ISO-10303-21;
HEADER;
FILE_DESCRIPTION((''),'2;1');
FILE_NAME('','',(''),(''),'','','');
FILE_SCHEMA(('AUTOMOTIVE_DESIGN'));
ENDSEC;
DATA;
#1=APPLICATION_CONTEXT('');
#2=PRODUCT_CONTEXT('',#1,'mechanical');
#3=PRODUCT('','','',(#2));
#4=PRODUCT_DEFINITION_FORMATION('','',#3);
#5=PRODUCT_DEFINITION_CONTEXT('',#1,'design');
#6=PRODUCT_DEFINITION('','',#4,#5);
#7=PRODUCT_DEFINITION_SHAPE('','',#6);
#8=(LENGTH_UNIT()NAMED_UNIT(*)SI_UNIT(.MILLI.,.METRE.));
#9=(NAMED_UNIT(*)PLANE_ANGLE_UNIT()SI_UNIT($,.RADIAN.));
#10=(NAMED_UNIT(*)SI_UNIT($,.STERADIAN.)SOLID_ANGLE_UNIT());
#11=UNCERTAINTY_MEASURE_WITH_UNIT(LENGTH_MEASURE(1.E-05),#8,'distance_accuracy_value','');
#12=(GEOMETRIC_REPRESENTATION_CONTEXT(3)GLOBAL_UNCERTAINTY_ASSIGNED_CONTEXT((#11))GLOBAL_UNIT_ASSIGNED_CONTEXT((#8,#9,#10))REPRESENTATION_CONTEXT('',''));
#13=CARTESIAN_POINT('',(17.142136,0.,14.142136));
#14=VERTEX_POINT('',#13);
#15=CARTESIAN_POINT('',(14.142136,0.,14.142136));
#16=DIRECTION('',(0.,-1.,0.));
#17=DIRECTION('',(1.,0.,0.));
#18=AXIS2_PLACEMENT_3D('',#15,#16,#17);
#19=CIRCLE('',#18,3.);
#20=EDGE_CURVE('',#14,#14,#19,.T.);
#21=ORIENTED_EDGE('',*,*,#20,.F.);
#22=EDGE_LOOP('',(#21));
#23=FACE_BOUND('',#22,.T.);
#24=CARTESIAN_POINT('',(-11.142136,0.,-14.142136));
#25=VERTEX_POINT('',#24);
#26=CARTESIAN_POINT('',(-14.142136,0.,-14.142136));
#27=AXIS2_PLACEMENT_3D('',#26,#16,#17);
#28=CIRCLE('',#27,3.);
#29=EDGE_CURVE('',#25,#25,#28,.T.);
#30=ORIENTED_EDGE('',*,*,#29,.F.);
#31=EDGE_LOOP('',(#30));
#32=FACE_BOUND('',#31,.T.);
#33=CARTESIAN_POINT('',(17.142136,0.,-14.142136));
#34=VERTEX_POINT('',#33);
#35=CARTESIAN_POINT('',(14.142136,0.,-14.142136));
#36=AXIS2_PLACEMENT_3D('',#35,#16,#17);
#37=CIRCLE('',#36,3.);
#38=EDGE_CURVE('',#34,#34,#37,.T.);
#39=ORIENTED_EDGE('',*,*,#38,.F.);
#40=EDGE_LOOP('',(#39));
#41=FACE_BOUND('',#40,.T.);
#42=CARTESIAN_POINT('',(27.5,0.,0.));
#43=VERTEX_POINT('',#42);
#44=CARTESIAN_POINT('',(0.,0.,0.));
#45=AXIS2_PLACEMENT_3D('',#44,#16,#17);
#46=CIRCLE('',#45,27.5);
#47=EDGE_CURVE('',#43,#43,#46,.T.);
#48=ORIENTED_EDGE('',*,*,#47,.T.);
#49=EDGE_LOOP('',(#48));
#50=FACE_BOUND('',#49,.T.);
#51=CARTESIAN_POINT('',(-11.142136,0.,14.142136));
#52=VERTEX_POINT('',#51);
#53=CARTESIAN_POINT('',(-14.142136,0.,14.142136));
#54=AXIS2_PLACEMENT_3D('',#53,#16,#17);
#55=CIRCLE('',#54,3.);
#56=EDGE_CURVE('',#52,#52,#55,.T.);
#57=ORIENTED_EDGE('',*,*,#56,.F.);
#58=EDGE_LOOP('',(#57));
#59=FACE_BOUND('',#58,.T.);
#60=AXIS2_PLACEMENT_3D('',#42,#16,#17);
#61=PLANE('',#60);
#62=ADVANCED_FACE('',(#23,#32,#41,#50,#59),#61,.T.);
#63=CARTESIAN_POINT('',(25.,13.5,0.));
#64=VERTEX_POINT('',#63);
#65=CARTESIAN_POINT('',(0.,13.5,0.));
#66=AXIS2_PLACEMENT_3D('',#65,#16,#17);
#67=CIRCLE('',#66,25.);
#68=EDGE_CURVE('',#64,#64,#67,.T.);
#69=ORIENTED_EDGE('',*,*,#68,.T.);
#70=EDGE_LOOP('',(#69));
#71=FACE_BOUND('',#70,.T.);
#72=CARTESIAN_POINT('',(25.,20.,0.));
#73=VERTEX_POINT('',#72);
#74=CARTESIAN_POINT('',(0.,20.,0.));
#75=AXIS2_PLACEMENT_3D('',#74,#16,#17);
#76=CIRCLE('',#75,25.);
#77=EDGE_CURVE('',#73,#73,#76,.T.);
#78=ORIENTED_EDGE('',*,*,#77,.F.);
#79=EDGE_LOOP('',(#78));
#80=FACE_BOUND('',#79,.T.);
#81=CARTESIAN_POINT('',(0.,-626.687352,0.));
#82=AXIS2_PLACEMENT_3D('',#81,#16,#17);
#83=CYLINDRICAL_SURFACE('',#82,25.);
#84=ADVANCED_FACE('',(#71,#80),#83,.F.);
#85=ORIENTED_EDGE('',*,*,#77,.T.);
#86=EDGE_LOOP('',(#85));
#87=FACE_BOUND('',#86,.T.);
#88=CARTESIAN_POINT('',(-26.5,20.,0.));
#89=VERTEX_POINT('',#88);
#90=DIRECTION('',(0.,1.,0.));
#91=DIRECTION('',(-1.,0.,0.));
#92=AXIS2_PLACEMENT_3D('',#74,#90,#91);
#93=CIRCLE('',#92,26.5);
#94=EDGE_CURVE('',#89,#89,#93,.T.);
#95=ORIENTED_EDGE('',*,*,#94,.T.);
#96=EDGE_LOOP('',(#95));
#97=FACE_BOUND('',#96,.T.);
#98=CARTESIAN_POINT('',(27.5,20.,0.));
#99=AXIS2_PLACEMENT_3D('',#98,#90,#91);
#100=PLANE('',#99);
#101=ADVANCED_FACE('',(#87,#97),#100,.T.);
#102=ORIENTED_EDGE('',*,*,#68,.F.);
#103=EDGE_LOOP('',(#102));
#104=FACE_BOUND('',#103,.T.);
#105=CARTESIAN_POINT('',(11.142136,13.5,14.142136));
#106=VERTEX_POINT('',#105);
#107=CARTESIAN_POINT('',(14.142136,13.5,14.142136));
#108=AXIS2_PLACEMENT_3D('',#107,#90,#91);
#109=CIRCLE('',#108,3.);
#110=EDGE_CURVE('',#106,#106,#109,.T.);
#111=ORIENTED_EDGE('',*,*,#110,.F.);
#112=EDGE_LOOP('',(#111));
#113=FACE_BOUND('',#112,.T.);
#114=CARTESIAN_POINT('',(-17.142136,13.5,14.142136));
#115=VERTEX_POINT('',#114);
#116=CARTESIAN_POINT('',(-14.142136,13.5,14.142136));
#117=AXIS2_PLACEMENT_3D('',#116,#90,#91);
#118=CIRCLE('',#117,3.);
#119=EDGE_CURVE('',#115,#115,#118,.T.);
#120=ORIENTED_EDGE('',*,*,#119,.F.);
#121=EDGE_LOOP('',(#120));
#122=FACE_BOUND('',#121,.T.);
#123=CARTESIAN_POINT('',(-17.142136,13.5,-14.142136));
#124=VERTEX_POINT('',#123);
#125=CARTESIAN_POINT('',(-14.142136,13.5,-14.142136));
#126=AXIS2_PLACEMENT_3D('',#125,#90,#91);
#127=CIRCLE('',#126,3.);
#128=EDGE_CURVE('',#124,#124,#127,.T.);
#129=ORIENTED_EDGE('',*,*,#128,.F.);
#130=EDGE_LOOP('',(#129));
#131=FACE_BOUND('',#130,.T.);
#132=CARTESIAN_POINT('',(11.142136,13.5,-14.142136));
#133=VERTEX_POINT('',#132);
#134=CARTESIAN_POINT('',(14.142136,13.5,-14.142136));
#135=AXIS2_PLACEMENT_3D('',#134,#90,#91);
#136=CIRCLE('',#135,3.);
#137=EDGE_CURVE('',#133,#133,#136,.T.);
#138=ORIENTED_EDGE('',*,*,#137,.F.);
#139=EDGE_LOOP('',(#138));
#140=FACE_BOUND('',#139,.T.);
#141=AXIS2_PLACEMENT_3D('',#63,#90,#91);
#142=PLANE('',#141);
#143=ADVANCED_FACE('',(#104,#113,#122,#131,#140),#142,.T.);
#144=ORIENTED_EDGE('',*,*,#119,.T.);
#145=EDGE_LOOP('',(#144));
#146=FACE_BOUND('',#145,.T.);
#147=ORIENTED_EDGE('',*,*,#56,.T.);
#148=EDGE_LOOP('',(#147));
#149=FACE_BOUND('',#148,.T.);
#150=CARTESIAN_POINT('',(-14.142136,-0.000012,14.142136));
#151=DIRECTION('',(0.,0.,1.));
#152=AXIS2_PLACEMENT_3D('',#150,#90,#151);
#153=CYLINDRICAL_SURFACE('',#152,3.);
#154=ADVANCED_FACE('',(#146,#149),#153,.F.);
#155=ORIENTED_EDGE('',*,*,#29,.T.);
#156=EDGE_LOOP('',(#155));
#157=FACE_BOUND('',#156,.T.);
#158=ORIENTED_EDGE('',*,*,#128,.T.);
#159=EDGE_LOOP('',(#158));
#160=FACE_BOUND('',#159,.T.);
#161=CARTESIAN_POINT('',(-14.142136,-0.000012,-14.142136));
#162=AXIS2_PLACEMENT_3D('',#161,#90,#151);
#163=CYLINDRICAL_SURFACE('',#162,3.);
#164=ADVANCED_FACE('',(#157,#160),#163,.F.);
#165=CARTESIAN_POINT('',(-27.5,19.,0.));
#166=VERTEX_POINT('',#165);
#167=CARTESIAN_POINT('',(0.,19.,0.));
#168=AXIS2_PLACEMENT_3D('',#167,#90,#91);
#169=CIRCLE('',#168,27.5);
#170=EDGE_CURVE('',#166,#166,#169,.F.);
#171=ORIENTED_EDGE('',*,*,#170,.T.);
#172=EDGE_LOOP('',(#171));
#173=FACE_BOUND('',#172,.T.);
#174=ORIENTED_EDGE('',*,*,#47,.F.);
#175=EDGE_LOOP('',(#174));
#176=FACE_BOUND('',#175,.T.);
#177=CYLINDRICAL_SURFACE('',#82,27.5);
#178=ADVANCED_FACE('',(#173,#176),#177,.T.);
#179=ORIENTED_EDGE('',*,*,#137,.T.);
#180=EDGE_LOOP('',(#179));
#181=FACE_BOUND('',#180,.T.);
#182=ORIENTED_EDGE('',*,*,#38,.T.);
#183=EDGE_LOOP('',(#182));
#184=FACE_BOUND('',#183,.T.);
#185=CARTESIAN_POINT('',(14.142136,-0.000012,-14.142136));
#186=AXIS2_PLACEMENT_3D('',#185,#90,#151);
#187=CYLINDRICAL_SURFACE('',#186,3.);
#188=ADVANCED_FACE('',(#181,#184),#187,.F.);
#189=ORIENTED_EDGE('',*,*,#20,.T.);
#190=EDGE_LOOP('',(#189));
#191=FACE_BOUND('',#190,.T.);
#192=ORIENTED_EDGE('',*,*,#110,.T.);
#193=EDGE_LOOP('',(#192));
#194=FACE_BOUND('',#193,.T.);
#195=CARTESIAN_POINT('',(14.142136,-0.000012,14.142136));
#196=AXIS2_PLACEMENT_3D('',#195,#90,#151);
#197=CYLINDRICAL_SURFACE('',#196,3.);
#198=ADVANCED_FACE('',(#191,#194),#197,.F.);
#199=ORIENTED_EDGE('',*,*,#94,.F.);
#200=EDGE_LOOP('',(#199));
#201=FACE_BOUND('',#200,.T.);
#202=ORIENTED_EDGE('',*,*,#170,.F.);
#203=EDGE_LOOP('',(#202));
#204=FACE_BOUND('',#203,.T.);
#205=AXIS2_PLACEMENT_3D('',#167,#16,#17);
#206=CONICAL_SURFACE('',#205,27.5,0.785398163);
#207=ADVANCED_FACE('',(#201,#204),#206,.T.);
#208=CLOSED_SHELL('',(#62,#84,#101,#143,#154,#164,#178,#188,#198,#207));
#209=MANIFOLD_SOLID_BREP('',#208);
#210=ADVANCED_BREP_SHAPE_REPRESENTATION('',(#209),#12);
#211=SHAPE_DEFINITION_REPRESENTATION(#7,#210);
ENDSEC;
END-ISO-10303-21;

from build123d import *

# Parameters (mm, degrees)
SKETCH2_R               = 3
CUT_EXTRUDE2_DEPTH      = 21
CUT_EXTRUDE2_DEPTH_BACK = 1
CHAMFER1_SIZE           = 1


with BuildPart() as part:
    # Sketch1 → Revolve1 (revolve)
    with BuildSketch(Plane.XY):
        Polygon((27.5, 0), (27.5, 20), (25, 20), (25, 13.5), (0, 13.5), (0, 0), align=None)
    revolve(axis=Axis((0, -626.687351978, 0), (0, 1, 0)))

    # Sketch2 → Cut-Extrude2 (cut, two sides)
    with BuildSketch(Plane(origin=(0, 0, 0), x_dir=(1, 0, 0), z_dir=(0, 1, 0))) as cut_extrude2_sk:
        with Locations((-14.142135624, 14.142135624)):
            Circle(SKETCH2_R)
        with Locations((14.142135624, 14.142135624)):
            Circle(SKETCH2_R)
        with Locations((14.142135624, -14.142135624)):
            Circle(SKETCH2_R)
        with Locations((-14.142135624, -14.142135624)):
            Circle(SKETCH2_R)
    extrude(amount=CUT_EXTRUDE2_DEPTH, mode=Mode.SUBTRACT)
    extrude(cut_extrude2_sk.sketch, amount=-CUT_EXTRUDE2_DEPTH_BACK, mode=Mode.SUBTRACT)

    # Chamfer1
    chamfer1_edges = [part.edges().sort_by_distance(p)[0] for p in [
        (-27.5, 20, 0),
    ]]
    chamfer(chamfer1_edges, length=CHAMFER1_SIZE)


solid = part.part
